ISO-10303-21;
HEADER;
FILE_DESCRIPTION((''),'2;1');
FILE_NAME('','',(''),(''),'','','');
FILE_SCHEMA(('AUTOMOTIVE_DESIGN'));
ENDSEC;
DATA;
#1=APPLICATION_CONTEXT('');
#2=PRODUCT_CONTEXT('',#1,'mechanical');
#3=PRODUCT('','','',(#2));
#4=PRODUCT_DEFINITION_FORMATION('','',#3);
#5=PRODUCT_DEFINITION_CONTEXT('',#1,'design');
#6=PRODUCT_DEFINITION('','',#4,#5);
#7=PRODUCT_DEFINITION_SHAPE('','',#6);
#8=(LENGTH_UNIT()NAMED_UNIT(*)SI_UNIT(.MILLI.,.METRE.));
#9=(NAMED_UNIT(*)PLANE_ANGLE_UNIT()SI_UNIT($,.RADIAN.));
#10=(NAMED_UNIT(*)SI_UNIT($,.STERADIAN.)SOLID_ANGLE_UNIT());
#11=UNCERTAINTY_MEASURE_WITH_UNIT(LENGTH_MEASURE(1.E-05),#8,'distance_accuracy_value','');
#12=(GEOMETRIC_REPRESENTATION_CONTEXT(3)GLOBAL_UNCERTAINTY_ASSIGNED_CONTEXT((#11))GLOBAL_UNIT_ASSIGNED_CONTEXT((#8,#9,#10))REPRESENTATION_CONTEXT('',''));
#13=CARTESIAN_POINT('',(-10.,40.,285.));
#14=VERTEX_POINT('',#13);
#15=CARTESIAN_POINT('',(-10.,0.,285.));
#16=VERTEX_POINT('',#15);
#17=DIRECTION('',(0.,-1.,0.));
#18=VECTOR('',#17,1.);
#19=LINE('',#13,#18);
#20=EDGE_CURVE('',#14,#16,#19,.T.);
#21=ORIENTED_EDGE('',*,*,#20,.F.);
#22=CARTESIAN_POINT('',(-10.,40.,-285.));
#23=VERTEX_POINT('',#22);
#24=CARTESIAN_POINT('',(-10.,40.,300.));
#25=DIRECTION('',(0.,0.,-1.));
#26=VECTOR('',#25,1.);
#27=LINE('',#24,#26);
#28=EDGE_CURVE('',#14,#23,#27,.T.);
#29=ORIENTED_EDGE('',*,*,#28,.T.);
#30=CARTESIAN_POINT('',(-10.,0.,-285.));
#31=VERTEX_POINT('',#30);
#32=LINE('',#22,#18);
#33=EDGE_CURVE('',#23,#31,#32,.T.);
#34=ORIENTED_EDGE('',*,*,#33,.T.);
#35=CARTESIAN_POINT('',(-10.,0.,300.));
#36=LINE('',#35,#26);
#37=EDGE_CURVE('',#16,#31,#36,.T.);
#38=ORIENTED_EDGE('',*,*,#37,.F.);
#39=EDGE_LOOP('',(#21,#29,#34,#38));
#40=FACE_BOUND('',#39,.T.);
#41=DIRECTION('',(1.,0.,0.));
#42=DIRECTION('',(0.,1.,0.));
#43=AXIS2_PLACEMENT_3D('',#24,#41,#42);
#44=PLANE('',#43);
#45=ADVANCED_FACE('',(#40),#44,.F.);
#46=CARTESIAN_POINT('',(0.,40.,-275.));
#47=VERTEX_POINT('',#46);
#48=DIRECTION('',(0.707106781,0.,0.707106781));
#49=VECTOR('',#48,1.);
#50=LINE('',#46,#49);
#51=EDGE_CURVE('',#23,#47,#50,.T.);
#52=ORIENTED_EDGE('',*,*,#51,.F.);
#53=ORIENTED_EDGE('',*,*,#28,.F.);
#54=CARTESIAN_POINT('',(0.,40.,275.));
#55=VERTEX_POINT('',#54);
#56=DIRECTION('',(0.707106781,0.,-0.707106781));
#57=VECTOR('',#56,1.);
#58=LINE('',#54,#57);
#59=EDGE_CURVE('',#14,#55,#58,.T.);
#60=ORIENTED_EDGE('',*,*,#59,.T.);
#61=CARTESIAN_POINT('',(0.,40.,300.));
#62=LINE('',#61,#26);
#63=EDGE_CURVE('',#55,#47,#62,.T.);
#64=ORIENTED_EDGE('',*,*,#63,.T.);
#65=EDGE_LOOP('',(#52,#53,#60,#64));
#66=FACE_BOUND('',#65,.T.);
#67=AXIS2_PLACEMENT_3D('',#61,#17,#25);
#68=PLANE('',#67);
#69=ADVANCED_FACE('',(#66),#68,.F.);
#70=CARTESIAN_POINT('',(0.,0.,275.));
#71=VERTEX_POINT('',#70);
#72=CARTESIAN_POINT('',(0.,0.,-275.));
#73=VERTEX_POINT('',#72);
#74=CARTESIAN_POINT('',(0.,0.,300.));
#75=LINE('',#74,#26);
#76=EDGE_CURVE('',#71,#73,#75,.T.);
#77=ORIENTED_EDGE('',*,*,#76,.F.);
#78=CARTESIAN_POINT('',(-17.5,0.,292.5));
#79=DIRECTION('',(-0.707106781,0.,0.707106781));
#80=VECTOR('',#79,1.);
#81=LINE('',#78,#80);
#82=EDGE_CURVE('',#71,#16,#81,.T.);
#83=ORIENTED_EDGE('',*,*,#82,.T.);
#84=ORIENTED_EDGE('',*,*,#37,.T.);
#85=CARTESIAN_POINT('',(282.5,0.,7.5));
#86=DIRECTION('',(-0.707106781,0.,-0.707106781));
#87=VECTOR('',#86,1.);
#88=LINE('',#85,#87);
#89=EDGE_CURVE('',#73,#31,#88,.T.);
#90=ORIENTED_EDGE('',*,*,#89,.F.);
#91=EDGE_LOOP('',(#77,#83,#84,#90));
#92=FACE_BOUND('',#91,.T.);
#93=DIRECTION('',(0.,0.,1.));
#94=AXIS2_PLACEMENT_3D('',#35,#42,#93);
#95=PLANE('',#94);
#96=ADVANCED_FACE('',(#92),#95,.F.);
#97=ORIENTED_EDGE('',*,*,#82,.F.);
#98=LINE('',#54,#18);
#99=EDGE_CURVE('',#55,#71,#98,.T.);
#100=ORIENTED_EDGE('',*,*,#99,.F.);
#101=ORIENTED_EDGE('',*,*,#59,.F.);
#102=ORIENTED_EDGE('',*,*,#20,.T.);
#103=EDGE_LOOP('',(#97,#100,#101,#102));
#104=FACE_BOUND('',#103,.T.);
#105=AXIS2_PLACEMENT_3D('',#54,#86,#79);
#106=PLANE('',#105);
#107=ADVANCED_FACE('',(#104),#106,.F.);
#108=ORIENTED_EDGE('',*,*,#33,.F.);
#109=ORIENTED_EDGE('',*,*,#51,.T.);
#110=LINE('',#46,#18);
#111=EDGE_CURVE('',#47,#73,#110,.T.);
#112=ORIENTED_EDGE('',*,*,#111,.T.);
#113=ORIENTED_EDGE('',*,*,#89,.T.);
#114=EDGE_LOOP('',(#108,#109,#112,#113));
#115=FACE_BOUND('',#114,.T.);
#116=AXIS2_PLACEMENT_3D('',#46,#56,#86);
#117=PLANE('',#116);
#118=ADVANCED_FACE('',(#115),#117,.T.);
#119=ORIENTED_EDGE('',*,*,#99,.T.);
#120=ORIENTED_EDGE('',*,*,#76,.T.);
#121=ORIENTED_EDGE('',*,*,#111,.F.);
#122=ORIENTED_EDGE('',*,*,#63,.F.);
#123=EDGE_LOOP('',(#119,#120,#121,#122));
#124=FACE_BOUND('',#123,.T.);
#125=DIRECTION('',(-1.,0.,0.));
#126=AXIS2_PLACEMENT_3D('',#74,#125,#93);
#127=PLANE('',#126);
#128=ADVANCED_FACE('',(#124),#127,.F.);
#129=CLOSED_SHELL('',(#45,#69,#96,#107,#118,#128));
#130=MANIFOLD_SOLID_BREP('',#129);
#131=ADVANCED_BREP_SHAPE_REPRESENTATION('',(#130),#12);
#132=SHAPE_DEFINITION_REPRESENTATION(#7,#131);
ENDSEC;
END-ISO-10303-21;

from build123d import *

# Parameters (mm, degrees)
ESQUISSE1_W             = 10
ESQUISSE1_H             = 40
BOSS_EXTRU_1_DEPTH      = 300
ENL_V_MAT_EXTRU_1_DEPTH = 303.820078595


with BuildPart() as part:
    # Esquisse1 → Boss.-Extru.1 (new, symmetric)
    with BuildSketch(Plane.XY):
        with Locations((-5, 20)):
            Rectangle(ESQUISSE1_W, ESQUISSE1_H)
    extrude(amount=BOSS_EXTRU_1_DEPTH, both=True)

    # Esquisse2 → Enlèv. mat.-Extru.1 (cut, symmetric)
    with BuildSketch(Plane.XZ):
        Polygon((0, 275), (-10, 285), (-10, 300), (0, 300), align=None)
    enl_v_mat_extru_1 = extrude(amount=ENL_V_MAT_EXTRU_1_DEPTH, both=True, mode=Mode.SUBTRACT)

    # Symétrie1: Enlèv. mat.-Extru.1 across plane
    add(enl_v_mat_extru_1.mirror(Plane.XY), mode=Mode.SUBTRACT)


solid = part.part
